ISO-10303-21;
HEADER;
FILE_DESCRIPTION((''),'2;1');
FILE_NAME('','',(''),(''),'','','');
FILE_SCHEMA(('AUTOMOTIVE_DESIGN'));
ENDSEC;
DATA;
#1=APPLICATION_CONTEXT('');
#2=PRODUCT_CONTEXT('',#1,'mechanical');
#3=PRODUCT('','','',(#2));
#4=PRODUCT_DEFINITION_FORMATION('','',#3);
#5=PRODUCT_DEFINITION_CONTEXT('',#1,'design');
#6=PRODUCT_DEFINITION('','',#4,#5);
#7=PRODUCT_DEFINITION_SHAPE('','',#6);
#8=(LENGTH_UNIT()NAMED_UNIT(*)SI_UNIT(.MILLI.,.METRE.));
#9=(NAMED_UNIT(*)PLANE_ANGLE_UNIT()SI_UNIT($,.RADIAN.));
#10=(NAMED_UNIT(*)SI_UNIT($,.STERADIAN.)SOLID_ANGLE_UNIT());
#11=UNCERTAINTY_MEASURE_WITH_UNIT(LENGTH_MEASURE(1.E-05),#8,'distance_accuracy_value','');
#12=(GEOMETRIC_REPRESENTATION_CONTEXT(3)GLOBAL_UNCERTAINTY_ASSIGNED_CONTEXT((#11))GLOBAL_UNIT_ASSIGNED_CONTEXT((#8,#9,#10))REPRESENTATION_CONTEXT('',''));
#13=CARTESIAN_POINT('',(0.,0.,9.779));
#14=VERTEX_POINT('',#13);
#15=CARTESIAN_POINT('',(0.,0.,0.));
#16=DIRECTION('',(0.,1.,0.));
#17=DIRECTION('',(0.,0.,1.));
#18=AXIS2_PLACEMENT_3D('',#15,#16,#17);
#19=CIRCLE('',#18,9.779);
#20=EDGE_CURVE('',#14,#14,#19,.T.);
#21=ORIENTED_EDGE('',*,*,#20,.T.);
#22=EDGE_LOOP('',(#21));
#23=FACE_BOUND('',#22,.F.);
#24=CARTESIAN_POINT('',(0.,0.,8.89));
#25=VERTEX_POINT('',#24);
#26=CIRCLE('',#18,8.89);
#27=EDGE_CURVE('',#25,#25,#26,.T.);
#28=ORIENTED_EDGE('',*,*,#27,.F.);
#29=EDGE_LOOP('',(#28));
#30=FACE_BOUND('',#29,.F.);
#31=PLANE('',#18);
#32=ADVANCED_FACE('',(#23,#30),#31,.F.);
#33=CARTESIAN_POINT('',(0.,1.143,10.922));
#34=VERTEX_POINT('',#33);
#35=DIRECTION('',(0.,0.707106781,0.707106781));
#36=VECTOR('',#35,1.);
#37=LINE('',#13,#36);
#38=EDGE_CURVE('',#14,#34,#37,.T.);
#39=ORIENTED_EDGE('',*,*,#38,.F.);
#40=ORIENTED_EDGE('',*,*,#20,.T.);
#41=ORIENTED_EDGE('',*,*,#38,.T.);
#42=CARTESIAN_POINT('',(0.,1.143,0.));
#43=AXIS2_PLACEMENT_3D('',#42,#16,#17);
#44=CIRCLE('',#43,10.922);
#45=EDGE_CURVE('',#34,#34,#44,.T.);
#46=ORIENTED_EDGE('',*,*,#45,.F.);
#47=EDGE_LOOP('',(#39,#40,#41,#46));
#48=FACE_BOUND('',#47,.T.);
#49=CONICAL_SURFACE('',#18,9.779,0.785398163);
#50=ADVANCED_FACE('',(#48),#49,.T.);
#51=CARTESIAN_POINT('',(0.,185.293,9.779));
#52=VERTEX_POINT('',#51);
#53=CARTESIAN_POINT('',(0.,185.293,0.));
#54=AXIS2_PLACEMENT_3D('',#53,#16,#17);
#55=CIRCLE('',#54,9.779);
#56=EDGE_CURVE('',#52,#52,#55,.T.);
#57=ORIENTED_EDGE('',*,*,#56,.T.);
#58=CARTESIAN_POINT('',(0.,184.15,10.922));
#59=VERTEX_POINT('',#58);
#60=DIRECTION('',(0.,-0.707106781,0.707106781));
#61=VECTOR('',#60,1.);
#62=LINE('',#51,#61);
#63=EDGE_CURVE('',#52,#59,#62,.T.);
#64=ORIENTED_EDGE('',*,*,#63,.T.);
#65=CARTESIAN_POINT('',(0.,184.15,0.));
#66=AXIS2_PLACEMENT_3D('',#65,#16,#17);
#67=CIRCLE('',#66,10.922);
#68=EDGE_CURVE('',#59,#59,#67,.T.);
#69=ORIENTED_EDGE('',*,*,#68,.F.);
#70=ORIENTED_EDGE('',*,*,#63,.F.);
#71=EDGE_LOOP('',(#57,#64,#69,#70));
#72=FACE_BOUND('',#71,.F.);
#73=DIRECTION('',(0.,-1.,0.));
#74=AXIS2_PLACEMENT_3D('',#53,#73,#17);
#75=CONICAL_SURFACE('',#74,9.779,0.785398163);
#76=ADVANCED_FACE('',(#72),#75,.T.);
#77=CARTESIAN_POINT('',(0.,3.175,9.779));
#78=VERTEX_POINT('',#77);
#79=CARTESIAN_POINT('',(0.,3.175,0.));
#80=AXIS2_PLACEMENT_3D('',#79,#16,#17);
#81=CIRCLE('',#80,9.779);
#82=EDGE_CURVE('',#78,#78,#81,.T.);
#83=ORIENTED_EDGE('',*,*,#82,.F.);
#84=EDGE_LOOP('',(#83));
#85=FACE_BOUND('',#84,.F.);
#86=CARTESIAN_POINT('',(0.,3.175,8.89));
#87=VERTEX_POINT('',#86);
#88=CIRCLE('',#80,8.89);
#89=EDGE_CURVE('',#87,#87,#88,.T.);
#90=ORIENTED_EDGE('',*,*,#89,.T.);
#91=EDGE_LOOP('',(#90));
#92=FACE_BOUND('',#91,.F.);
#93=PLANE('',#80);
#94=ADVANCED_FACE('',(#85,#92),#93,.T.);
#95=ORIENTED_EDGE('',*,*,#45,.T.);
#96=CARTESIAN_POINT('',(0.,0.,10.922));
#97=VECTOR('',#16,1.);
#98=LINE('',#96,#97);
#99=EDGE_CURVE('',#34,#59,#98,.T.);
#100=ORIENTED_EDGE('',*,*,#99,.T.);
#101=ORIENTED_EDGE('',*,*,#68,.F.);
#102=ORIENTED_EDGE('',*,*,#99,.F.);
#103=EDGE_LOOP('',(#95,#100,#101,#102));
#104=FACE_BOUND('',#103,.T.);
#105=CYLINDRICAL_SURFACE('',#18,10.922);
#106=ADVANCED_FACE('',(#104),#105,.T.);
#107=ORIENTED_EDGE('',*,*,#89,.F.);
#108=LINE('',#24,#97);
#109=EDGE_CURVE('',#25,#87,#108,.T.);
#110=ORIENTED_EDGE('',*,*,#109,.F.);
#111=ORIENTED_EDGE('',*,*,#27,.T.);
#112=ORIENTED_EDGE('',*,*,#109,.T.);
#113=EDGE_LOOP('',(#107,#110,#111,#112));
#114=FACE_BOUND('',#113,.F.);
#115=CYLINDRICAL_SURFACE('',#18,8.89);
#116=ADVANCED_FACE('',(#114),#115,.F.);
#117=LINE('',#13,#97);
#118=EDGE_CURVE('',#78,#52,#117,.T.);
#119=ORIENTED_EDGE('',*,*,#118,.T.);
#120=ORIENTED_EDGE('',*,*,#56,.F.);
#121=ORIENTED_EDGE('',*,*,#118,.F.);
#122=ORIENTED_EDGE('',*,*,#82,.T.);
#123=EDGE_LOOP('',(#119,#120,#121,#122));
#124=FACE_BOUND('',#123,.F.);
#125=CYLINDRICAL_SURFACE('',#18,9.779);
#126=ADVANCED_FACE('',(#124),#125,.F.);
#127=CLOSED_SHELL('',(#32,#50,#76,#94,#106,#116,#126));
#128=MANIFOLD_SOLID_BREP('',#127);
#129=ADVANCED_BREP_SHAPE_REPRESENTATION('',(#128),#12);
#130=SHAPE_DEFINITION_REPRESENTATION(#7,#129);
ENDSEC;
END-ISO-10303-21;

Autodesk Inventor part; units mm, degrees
ref_plane "YZ Plane" through (0, 0, 0) normal (1, 0, 0) x (0, 1, 0)
ref_plane "XZ Plane" through (0, 0, 0) normal (0, 1, 0) x (-1, 0, 0)
ref_plane "XY Plane" through (0, 0, 0) normal (0, 0, 1) x (1, 0, 0)
sketch "Sketch1" plane through (0, 0, 0) normal (1, 0, 0) x (0, 1, 0)
  line L0 (0, 0) -> (185.293, 0)
  line L1 (0, 10.922) -> (185.293, 10.922)
  line L2 (0, 10.922) -> (0, 9.779) construction
  line L3 (0, 9.779) -> (185.293, 9.779)
  line L4 (185.293, 9.779) -> (185.293, 10.922) construction
  line L5 (0, 9.779) -> (0, 0) construction
  line L6 (185.293, 9.779) -> (185.293, 0) construction
  line L7 (0, 9.779) -> (1.143, 10.922)
  line L8 (185.293, 9.779) -> (184.15, 10.922)
  line L9 (0, 9.779) -> (0, 8.89)
  line L10 (0, 8.89) -> (3.175, 8.89)
  line L11 (3.175, 8.89) -> (3.175, 9.779)
  dimension "d0" = 185.293
  dimension "d2" = 19.558
  dimension "d3" = 45
  dimension "d5" = 21.844
  dimension "d6" = 3.175
  dimension "d7" = 17.78
revolve "Revolution1" add sketch "Sketch1" angle 360 about axis through (0, 0, 0) along (0, 1, 0)
properties part number "Rebuild Shooter NCDME075-0600 Body" material "Stainless Steel"
